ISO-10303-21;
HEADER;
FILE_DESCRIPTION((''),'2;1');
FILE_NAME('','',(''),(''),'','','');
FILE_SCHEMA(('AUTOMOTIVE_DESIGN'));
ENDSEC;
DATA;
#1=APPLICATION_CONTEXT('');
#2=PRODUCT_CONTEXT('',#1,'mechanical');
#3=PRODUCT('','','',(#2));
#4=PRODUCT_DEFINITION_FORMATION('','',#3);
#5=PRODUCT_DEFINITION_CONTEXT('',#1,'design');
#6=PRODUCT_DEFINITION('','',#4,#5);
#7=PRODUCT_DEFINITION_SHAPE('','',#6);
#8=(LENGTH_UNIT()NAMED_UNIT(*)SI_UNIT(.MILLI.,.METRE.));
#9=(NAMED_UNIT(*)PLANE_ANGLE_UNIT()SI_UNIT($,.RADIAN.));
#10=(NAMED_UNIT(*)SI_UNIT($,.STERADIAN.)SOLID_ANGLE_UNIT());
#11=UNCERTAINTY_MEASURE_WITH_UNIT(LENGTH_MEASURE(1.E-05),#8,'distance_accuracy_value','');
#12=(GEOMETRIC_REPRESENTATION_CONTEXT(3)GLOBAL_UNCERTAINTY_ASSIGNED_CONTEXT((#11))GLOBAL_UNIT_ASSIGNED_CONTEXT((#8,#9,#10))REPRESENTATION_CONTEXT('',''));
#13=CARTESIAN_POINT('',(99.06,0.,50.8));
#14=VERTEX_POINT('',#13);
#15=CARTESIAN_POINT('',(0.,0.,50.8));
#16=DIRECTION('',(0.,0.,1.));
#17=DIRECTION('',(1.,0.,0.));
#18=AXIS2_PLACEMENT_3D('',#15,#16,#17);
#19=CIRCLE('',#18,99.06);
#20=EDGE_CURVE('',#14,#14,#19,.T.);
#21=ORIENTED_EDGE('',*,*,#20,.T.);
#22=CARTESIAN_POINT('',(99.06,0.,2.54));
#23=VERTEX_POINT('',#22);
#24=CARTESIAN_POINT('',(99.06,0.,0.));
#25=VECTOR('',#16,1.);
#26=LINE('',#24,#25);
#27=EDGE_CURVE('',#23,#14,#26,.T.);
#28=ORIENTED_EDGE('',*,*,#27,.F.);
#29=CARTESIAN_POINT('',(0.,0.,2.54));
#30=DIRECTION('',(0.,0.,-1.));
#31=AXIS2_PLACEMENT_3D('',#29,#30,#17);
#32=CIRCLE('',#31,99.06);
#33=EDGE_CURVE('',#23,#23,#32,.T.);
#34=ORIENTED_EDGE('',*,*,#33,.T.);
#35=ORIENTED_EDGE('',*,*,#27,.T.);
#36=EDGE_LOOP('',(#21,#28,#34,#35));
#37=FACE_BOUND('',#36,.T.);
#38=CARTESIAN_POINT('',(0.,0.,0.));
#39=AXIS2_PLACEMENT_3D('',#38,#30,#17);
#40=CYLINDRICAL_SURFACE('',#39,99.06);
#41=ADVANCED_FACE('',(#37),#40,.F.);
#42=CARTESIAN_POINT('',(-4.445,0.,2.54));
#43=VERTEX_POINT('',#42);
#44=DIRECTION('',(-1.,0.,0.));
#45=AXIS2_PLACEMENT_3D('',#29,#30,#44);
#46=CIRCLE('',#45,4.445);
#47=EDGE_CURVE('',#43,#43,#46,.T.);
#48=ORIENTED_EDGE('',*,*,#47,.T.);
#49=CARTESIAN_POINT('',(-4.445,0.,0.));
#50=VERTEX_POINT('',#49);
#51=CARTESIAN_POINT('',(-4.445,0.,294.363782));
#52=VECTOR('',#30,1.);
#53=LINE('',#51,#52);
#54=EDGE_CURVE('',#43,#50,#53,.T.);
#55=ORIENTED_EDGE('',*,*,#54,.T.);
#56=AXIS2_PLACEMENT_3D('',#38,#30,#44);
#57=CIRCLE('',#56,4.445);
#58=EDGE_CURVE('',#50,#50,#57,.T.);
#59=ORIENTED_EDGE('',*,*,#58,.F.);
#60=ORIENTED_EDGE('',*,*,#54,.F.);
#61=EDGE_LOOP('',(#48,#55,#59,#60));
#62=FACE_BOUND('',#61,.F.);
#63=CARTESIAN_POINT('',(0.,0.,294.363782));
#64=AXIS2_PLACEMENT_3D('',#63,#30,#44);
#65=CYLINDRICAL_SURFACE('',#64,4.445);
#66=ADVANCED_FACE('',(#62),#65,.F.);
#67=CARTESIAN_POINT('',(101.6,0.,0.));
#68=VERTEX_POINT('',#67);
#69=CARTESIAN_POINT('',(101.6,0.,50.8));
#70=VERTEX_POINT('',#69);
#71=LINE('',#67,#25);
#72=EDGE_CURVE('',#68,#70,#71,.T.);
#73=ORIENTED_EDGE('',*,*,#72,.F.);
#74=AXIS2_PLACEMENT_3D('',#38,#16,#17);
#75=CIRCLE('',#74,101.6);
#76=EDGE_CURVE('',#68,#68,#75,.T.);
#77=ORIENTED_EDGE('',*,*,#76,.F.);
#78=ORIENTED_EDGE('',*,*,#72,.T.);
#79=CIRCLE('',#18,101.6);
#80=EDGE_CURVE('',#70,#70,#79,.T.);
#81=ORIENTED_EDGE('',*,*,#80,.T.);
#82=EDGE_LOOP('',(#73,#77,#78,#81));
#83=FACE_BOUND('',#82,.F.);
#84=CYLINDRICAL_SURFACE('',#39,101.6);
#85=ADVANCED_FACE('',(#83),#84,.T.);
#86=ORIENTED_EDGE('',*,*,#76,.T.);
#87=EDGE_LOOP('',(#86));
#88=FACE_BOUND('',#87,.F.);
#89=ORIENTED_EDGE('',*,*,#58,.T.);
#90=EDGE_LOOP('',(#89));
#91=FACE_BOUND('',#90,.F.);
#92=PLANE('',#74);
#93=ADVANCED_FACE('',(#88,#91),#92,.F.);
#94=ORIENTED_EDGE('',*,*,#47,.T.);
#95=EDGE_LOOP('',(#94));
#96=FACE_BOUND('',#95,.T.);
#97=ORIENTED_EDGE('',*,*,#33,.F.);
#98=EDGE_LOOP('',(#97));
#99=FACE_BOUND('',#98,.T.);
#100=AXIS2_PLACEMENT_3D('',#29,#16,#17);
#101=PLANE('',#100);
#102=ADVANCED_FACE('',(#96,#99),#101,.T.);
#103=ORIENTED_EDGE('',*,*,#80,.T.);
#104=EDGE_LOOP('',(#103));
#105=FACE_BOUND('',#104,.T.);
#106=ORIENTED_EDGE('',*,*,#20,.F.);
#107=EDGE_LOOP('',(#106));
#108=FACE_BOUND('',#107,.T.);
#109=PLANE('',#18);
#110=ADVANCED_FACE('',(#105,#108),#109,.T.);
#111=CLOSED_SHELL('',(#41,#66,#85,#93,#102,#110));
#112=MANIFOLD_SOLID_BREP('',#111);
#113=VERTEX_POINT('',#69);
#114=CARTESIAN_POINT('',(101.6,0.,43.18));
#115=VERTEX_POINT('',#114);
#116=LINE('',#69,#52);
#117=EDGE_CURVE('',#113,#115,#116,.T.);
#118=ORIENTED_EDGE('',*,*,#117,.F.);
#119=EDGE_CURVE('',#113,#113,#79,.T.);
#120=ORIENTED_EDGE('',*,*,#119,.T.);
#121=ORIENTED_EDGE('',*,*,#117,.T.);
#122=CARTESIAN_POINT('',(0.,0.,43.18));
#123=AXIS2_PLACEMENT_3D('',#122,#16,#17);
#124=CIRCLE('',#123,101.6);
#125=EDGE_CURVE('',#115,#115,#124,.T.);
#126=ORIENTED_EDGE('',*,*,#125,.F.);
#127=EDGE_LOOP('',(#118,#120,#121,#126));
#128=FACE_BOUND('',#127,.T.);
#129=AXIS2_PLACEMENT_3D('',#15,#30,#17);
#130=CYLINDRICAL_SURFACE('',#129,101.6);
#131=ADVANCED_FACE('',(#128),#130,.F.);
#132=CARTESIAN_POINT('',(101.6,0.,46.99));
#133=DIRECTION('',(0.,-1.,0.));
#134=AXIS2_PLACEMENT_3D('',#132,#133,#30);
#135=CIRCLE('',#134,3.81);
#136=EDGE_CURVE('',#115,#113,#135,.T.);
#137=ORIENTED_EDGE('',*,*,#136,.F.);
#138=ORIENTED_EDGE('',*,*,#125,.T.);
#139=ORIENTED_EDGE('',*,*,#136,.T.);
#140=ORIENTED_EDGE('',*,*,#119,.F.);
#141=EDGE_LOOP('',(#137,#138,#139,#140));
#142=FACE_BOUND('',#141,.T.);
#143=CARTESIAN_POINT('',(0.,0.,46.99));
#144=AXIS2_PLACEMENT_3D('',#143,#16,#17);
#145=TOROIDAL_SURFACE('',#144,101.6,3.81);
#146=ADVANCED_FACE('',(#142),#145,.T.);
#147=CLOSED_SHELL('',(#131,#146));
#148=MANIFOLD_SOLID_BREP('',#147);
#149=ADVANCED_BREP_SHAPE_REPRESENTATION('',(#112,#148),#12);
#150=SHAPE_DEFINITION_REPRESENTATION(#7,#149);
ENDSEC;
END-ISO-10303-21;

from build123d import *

# Parameters (mm, degrees)
F0_R     = 101.6
F1_DEPTH = 50.8
F2_T     = -2.54
F6_D     = 8.89


with BuildPart() as f1:
    # F0 (on Top) → F1 (new body)
    with BuildSketch(Plane.XY):
        Circle(F0_R)
    extrude(amount=F1_DEPTH)

    # F2
    f2_openings = [f1.faces().sort_by_distance(p)[0] for p in [
        (0, 0, 50.8),
    ]]
    offset(amount=F2_T, openings=f2_openings)

    # F6 (through all)
    with Locations(Plane.XY.offset(2.54)):
        with Locations((0, 0)):
            Hole(F6_D / 2)


with BuildPart() as f4:
    # F3 (on Front) → F4 (revolve)
    with BuildSketch(Plane.XZ):
        with BuildLine():
            Line((101.6, 50.8), (101.6, 43.18))
            ThreePointArc((101.6, 43.18), (105.41, 46.99), (101.6, 50.8))
        make_face()
    revolve(axis=Axis((0, 0, 25.4), (0, 0, 1)))


solid = Compound([f1.part, f4.part])
